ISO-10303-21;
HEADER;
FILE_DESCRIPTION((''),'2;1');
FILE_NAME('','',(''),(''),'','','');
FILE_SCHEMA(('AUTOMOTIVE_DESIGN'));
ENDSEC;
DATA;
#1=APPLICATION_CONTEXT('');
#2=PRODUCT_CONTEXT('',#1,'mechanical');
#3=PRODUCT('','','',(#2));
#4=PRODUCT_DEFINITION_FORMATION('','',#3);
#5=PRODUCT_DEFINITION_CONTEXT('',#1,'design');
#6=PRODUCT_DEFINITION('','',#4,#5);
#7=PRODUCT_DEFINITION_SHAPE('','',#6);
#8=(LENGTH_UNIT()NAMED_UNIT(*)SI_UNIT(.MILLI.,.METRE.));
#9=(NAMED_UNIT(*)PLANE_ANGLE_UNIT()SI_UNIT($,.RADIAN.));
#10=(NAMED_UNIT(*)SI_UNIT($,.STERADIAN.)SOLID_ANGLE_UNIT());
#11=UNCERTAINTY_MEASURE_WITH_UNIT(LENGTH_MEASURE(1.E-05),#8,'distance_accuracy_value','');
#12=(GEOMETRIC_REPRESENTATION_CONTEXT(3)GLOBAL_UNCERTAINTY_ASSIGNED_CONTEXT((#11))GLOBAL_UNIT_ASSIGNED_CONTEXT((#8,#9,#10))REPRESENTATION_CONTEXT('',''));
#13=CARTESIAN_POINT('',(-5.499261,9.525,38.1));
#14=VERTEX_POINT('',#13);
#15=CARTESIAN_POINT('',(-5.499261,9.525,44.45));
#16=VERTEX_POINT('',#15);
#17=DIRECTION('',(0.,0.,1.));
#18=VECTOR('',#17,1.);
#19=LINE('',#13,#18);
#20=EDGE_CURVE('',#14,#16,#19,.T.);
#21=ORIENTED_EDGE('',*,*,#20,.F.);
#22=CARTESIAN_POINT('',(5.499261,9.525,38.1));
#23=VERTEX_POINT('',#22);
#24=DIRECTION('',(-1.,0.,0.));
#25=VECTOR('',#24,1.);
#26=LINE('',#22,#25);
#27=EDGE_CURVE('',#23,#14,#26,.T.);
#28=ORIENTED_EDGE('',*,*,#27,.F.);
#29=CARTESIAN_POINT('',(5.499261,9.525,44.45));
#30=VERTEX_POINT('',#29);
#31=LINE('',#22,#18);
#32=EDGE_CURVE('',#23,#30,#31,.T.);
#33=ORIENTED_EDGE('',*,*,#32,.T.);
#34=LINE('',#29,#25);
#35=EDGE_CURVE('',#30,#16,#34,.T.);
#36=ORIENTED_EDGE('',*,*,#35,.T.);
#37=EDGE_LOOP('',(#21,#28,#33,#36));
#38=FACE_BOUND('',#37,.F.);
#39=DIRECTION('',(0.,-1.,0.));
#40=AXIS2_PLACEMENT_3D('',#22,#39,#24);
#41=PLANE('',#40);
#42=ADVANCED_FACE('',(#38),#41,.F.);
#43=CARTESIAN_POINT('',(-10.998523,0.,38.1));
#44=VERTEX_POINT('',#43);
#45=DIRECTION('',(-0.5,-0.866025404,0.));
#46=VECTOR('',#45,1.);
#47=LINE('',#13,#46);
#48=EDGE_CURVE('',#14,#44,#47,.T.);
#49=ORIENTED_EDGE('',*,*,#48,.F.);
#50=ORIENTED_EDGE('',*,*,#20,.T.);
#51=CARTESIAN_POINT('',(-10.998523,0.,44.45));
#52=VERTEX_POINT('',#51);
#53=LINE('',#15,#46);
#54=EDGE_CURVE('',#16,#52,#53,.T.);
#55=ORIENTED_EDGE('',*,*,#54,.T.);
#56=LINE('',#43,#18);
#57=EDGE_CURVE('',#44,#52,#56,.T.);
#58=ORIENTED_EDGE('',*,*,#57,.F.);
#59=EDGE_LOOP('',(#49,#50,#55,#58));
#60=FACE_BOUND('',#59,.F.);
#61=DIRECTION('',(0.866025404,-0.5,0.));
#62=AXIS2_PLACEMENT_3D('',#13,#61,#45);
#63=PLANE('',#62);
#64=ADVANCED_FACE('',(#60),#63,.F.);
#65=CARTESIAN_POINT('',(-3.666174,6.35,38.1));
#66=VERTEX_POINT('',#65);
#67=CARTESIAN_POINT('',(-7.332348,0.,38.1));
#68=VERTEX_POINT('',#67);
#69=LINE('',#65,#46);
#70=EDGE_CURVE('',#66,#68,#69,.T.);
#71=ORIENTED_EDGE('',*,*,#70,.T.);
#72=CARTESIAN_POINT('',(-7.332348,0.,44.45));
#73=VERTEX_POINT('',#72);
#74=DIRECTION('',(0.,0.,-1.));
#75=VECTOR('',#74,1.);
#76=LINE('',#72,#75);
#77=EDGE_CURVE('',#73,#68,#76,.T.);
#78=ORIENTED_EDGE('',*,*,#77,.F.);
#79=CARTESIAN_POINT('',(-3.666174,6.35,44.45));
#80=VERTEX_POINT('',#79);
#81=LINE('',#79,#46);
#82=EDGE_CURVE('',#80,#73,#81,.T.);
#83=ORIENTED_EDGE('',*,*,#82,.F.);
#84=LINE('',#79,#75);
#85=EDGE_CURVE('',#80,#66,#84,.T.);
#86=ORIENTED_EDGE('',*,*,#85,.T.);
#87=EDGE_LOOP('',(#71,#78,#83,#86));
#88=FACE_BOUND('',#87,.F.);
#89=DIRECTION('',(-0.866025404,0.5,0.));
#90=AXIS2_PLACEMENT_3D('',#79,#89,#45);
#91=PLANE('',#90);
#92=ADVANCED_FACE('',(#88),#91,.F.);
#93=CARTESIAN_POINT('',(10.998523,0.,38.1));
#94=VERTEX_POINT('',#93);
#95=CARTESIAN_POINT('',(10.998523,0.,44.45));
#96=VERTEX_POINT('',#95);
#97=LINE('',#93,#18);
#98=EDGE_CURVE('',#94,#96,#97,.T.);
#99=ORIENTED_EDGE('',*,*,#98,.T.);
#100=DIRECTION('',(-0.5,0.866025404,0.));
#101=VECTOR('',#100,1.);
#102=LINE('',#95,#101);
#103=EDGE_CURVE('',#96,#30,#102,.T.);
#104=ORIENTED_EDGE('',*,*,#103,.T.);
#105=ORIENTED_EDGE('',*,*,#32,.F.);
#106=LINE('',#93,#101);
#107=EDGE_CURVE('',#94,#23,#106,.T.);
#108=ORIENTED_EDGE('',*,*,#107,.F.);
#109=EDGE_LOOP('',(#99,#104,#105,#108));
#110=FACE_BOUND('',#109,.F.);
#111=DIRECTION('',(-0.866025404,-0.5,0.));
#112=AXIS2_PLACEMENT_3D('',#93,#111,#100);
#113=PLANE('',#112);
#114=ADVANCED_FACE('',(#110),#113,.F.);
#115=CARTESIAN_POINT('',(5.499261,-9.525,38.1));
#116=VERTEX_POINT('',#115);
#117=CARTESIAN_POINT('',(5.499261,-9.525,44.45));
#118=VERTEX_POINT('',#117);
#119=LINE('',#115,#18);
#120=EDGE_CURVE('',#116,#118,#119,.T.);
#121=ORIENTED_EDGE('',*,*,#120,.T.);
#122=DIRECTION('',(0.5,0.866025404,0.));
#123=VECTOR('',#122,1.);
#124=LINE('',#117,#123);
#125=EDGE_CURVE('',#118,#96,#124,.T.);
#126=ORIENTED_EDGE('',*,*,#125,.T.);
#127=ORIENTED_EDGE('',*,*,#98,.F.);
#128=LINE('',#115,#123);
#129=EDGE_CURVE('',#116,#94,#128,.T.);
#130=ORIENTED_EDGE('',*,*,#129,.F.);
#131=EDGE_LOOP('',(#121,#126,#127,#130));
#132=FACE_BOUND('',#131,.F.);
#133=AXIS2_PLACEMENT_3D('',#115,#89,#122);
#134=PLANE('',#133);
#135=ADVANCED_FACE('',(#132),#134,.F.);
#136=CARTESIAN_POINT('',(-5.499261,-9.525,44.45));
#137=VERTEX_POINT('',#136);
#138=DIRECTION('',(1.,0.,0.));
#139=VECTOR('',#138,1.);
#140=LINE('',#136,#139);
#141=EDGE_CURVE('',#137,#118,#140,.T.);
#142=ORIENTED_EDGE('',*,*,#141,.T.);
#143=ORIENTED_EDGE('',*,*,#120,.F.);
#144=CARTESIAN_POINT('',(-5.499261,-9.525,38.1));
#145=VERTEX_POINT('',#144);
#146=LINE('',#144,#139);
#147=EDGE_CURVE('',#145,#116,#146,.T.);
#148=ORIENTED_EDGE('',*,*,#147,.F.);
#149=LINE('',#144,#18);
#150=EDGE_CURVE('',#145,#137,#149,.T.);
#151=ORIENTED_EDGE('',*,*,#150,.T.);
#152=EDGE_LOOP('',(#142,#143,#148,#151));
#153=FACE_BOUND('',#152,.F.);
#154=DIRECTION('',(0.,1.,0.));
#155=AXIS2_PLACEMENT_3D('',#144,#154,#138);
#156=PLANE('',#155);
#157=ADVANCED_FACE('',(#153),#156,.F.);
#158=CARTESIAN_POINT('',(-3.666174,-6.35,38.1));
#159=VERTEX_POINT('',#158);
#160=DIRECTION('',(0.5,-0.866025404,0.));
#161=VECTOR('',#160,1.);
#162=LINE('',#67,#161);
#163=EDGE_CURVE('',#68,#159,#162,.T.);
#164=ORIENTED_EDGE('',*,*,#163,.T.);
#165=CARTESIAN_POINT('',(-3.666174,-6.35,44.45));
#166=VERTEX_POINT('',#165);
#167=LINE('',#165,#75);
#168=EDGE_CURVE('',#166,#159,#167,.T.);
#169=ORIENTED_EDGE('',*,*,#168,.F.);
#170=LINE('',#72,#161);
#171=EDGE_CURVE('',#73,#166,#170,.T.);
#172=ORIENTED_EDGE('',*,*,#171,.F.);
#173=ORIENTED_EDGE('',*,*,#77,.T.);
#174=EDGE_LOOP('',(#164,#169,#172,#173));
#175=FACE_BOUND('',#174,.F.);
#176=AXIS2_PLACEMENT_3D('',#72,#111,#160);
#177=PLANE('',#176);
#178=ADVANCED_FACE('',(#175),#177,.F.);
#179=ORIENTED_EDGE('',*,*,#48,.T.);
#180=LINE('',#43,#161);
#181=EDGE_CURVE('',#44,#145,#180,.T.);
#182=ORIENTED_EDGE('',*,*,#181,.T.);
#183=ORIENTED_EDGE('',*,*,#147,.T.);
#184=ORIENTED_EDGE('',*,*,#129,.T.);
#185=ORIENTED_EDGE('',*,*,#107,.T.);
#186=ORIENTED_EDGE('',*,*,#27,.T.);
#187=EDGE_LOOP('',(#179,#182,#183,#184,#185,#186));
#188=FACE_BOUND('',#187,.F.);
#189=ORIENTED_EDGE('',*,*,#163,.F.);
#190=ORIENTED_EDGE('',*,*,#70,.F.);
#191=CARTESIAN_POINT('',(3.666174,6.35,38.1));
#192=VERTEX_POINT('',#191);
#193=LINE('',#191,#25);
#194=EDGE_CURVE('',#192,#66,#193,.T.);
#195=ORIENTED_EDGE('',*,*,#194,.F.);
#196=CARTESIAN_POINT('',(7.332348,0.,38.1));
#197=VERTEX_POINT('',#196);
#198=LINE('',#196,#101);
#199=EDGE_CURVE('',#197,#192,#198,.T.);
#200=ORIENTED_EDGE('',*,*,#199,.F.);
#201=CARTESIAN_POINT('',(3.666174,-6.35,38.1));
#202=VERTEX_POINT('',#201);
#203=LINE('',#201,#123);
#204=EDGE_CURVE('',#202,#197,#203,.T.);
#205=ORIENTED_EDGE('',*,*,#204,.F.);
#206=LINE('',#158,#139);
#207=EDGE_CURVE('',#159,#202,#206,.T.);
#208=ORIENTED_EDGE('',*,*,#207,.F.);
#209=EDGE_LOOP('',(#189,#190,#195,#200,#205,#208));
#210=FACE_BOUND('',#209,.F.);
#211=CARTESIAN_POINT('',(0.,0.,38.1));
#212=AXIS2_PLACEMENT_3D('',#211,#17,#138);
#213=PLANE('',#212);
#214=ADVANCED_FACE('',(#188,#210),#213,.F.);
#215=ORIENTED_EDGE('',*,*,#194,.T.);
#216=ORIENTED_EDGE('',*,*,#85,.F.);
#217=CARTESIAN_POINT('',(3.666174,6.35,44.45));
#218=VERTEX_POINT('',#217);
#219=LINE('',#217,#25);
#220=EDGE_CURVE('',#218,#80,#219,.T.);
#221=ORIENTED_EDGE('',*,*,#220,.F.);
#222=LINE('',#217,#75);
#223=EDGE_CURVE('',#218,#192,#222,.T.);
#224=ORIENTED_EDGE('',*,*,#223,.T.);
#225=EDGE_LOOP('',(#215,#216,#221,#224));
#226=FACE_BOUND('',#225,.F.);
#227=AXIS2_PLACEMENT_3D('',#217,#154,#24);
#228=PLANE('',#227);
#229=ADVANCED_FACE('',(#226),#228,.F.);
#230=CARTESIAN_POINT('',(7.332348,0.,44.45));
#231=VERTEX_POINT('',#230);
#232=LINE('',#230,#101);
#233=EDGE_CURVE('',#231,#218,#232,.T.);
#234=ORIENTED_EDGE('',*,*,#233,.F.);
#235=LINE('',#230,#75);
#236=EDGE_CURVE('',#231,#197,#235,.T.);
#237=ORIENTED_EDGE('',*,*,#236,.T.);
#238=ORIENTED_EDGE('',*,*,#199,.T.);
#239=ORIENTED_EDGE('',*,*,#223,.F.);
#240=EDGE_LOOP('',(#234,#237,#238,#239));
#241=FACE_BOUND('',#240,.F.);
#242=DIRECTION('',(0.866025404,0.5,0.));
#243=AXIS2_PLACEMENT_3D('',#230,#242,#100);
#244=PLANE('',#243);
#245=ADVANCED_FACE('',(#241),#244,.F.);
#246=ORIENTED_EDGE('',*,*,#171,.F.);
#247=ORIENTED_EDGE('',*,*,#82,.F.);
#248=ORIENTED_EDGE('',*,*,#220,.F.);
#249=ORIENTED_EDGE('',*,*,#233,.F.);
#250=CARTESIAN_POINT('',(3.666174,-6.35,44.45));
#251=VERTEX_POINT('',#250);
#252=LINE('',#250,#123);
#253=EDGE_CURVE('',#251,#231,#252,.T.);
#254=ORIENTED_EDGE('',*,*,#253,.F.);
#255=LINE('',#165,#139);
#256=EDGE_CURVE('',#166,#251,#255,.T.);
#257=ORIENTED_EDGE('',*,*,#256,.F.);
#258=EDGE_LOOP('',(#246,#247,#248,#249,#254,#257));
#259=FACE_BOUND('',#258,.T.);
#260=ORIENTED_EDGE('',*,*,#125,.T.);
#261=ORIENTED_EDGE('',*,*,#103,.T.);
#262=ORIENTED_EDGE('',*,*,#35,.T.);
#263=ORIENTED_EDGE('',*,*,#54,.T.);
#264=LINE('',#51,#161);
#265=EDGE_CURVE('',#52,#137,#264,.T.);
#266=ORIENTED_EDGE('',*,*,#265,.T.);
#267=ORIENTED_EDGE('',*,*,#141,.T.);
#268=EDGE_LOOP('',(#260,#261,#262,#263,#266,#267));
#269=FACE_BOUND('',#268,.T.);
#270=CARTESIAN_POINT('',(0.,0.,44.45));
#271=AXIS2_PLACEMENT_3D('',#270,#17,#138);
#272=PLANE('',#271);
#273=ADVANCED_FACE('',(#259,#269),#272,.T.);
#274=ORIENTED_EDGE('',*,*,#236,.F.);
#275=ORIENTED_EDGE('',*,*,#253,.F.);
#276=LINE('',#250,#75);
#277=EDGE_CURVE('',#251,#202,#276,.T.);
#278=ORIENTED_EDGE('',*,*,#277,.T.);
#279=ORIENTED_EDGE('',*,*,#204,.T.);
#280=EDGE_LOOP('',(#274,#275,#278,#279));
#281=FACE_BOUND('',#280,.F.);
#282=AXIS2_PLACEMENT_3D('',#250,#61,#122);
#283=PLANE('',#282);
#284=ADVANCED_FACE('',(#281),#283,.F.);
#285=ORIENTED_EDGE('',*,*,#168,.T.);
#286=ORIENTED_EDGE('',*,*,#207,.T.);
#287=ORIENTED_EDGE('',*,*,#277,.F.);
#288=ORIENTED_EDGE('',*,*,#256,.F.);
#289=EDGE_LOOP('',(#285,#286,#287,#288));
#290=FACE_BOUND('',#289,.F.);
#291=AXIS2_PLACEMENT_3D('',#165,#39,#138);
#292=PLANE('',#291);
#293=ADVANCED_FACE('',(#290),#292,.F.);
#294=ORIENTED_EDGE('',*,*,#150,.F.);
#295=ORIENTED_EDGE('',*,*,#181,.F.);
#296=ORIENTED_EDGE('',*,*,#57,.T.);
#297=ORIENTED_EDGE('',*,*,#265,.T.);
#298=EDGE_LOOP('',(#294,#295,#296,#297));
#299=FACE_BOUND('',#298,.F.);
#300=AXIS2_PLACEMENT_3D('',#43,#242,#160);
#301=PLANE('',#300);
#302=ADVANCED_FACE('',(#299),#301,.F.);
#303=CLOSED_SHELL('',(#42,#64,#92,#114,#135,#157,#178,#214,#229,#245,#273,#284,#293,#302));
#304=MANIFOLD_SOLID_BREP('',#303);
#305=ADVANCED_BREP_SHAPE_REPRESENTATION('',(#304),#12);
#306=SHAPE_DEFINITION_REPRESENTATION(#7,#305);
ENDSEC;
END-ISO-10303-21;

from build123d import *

# Parameters (mm, degrees)
F2_DEPTH = 6.35
F4_DEPTH = 6.35


with BuildPart() as f2:
    # F1 (on offset) → F2 (new body)
    with BuildSketch(Plane.XY.offset(38.1)):
        Polygon((5.499261314, -9.525), (10.9985226281, 0), (5.499261314, 9.525), (-5.499261314, 9.525), (-10.9985226281, 0), (-5.499261314, -9.525), align=None)
    extrude(amount=F2_DEPTH)

    # F3 (on face) → F4 (cut)
    with BuildSketch(Plane.XY.offset(44.45)):
        Polygon((3.6661742094, -6.35), (7.3323484187, 0), (3.6661742094, 6.35), (-3.6661742094, 6.35), (-7.3323484187, 0), (-3.6661742094, -6.35), align=None)
    extrude(amount=-F4_DEPTH, mode=Mode.SUBTRACT)


solid = f2.part
